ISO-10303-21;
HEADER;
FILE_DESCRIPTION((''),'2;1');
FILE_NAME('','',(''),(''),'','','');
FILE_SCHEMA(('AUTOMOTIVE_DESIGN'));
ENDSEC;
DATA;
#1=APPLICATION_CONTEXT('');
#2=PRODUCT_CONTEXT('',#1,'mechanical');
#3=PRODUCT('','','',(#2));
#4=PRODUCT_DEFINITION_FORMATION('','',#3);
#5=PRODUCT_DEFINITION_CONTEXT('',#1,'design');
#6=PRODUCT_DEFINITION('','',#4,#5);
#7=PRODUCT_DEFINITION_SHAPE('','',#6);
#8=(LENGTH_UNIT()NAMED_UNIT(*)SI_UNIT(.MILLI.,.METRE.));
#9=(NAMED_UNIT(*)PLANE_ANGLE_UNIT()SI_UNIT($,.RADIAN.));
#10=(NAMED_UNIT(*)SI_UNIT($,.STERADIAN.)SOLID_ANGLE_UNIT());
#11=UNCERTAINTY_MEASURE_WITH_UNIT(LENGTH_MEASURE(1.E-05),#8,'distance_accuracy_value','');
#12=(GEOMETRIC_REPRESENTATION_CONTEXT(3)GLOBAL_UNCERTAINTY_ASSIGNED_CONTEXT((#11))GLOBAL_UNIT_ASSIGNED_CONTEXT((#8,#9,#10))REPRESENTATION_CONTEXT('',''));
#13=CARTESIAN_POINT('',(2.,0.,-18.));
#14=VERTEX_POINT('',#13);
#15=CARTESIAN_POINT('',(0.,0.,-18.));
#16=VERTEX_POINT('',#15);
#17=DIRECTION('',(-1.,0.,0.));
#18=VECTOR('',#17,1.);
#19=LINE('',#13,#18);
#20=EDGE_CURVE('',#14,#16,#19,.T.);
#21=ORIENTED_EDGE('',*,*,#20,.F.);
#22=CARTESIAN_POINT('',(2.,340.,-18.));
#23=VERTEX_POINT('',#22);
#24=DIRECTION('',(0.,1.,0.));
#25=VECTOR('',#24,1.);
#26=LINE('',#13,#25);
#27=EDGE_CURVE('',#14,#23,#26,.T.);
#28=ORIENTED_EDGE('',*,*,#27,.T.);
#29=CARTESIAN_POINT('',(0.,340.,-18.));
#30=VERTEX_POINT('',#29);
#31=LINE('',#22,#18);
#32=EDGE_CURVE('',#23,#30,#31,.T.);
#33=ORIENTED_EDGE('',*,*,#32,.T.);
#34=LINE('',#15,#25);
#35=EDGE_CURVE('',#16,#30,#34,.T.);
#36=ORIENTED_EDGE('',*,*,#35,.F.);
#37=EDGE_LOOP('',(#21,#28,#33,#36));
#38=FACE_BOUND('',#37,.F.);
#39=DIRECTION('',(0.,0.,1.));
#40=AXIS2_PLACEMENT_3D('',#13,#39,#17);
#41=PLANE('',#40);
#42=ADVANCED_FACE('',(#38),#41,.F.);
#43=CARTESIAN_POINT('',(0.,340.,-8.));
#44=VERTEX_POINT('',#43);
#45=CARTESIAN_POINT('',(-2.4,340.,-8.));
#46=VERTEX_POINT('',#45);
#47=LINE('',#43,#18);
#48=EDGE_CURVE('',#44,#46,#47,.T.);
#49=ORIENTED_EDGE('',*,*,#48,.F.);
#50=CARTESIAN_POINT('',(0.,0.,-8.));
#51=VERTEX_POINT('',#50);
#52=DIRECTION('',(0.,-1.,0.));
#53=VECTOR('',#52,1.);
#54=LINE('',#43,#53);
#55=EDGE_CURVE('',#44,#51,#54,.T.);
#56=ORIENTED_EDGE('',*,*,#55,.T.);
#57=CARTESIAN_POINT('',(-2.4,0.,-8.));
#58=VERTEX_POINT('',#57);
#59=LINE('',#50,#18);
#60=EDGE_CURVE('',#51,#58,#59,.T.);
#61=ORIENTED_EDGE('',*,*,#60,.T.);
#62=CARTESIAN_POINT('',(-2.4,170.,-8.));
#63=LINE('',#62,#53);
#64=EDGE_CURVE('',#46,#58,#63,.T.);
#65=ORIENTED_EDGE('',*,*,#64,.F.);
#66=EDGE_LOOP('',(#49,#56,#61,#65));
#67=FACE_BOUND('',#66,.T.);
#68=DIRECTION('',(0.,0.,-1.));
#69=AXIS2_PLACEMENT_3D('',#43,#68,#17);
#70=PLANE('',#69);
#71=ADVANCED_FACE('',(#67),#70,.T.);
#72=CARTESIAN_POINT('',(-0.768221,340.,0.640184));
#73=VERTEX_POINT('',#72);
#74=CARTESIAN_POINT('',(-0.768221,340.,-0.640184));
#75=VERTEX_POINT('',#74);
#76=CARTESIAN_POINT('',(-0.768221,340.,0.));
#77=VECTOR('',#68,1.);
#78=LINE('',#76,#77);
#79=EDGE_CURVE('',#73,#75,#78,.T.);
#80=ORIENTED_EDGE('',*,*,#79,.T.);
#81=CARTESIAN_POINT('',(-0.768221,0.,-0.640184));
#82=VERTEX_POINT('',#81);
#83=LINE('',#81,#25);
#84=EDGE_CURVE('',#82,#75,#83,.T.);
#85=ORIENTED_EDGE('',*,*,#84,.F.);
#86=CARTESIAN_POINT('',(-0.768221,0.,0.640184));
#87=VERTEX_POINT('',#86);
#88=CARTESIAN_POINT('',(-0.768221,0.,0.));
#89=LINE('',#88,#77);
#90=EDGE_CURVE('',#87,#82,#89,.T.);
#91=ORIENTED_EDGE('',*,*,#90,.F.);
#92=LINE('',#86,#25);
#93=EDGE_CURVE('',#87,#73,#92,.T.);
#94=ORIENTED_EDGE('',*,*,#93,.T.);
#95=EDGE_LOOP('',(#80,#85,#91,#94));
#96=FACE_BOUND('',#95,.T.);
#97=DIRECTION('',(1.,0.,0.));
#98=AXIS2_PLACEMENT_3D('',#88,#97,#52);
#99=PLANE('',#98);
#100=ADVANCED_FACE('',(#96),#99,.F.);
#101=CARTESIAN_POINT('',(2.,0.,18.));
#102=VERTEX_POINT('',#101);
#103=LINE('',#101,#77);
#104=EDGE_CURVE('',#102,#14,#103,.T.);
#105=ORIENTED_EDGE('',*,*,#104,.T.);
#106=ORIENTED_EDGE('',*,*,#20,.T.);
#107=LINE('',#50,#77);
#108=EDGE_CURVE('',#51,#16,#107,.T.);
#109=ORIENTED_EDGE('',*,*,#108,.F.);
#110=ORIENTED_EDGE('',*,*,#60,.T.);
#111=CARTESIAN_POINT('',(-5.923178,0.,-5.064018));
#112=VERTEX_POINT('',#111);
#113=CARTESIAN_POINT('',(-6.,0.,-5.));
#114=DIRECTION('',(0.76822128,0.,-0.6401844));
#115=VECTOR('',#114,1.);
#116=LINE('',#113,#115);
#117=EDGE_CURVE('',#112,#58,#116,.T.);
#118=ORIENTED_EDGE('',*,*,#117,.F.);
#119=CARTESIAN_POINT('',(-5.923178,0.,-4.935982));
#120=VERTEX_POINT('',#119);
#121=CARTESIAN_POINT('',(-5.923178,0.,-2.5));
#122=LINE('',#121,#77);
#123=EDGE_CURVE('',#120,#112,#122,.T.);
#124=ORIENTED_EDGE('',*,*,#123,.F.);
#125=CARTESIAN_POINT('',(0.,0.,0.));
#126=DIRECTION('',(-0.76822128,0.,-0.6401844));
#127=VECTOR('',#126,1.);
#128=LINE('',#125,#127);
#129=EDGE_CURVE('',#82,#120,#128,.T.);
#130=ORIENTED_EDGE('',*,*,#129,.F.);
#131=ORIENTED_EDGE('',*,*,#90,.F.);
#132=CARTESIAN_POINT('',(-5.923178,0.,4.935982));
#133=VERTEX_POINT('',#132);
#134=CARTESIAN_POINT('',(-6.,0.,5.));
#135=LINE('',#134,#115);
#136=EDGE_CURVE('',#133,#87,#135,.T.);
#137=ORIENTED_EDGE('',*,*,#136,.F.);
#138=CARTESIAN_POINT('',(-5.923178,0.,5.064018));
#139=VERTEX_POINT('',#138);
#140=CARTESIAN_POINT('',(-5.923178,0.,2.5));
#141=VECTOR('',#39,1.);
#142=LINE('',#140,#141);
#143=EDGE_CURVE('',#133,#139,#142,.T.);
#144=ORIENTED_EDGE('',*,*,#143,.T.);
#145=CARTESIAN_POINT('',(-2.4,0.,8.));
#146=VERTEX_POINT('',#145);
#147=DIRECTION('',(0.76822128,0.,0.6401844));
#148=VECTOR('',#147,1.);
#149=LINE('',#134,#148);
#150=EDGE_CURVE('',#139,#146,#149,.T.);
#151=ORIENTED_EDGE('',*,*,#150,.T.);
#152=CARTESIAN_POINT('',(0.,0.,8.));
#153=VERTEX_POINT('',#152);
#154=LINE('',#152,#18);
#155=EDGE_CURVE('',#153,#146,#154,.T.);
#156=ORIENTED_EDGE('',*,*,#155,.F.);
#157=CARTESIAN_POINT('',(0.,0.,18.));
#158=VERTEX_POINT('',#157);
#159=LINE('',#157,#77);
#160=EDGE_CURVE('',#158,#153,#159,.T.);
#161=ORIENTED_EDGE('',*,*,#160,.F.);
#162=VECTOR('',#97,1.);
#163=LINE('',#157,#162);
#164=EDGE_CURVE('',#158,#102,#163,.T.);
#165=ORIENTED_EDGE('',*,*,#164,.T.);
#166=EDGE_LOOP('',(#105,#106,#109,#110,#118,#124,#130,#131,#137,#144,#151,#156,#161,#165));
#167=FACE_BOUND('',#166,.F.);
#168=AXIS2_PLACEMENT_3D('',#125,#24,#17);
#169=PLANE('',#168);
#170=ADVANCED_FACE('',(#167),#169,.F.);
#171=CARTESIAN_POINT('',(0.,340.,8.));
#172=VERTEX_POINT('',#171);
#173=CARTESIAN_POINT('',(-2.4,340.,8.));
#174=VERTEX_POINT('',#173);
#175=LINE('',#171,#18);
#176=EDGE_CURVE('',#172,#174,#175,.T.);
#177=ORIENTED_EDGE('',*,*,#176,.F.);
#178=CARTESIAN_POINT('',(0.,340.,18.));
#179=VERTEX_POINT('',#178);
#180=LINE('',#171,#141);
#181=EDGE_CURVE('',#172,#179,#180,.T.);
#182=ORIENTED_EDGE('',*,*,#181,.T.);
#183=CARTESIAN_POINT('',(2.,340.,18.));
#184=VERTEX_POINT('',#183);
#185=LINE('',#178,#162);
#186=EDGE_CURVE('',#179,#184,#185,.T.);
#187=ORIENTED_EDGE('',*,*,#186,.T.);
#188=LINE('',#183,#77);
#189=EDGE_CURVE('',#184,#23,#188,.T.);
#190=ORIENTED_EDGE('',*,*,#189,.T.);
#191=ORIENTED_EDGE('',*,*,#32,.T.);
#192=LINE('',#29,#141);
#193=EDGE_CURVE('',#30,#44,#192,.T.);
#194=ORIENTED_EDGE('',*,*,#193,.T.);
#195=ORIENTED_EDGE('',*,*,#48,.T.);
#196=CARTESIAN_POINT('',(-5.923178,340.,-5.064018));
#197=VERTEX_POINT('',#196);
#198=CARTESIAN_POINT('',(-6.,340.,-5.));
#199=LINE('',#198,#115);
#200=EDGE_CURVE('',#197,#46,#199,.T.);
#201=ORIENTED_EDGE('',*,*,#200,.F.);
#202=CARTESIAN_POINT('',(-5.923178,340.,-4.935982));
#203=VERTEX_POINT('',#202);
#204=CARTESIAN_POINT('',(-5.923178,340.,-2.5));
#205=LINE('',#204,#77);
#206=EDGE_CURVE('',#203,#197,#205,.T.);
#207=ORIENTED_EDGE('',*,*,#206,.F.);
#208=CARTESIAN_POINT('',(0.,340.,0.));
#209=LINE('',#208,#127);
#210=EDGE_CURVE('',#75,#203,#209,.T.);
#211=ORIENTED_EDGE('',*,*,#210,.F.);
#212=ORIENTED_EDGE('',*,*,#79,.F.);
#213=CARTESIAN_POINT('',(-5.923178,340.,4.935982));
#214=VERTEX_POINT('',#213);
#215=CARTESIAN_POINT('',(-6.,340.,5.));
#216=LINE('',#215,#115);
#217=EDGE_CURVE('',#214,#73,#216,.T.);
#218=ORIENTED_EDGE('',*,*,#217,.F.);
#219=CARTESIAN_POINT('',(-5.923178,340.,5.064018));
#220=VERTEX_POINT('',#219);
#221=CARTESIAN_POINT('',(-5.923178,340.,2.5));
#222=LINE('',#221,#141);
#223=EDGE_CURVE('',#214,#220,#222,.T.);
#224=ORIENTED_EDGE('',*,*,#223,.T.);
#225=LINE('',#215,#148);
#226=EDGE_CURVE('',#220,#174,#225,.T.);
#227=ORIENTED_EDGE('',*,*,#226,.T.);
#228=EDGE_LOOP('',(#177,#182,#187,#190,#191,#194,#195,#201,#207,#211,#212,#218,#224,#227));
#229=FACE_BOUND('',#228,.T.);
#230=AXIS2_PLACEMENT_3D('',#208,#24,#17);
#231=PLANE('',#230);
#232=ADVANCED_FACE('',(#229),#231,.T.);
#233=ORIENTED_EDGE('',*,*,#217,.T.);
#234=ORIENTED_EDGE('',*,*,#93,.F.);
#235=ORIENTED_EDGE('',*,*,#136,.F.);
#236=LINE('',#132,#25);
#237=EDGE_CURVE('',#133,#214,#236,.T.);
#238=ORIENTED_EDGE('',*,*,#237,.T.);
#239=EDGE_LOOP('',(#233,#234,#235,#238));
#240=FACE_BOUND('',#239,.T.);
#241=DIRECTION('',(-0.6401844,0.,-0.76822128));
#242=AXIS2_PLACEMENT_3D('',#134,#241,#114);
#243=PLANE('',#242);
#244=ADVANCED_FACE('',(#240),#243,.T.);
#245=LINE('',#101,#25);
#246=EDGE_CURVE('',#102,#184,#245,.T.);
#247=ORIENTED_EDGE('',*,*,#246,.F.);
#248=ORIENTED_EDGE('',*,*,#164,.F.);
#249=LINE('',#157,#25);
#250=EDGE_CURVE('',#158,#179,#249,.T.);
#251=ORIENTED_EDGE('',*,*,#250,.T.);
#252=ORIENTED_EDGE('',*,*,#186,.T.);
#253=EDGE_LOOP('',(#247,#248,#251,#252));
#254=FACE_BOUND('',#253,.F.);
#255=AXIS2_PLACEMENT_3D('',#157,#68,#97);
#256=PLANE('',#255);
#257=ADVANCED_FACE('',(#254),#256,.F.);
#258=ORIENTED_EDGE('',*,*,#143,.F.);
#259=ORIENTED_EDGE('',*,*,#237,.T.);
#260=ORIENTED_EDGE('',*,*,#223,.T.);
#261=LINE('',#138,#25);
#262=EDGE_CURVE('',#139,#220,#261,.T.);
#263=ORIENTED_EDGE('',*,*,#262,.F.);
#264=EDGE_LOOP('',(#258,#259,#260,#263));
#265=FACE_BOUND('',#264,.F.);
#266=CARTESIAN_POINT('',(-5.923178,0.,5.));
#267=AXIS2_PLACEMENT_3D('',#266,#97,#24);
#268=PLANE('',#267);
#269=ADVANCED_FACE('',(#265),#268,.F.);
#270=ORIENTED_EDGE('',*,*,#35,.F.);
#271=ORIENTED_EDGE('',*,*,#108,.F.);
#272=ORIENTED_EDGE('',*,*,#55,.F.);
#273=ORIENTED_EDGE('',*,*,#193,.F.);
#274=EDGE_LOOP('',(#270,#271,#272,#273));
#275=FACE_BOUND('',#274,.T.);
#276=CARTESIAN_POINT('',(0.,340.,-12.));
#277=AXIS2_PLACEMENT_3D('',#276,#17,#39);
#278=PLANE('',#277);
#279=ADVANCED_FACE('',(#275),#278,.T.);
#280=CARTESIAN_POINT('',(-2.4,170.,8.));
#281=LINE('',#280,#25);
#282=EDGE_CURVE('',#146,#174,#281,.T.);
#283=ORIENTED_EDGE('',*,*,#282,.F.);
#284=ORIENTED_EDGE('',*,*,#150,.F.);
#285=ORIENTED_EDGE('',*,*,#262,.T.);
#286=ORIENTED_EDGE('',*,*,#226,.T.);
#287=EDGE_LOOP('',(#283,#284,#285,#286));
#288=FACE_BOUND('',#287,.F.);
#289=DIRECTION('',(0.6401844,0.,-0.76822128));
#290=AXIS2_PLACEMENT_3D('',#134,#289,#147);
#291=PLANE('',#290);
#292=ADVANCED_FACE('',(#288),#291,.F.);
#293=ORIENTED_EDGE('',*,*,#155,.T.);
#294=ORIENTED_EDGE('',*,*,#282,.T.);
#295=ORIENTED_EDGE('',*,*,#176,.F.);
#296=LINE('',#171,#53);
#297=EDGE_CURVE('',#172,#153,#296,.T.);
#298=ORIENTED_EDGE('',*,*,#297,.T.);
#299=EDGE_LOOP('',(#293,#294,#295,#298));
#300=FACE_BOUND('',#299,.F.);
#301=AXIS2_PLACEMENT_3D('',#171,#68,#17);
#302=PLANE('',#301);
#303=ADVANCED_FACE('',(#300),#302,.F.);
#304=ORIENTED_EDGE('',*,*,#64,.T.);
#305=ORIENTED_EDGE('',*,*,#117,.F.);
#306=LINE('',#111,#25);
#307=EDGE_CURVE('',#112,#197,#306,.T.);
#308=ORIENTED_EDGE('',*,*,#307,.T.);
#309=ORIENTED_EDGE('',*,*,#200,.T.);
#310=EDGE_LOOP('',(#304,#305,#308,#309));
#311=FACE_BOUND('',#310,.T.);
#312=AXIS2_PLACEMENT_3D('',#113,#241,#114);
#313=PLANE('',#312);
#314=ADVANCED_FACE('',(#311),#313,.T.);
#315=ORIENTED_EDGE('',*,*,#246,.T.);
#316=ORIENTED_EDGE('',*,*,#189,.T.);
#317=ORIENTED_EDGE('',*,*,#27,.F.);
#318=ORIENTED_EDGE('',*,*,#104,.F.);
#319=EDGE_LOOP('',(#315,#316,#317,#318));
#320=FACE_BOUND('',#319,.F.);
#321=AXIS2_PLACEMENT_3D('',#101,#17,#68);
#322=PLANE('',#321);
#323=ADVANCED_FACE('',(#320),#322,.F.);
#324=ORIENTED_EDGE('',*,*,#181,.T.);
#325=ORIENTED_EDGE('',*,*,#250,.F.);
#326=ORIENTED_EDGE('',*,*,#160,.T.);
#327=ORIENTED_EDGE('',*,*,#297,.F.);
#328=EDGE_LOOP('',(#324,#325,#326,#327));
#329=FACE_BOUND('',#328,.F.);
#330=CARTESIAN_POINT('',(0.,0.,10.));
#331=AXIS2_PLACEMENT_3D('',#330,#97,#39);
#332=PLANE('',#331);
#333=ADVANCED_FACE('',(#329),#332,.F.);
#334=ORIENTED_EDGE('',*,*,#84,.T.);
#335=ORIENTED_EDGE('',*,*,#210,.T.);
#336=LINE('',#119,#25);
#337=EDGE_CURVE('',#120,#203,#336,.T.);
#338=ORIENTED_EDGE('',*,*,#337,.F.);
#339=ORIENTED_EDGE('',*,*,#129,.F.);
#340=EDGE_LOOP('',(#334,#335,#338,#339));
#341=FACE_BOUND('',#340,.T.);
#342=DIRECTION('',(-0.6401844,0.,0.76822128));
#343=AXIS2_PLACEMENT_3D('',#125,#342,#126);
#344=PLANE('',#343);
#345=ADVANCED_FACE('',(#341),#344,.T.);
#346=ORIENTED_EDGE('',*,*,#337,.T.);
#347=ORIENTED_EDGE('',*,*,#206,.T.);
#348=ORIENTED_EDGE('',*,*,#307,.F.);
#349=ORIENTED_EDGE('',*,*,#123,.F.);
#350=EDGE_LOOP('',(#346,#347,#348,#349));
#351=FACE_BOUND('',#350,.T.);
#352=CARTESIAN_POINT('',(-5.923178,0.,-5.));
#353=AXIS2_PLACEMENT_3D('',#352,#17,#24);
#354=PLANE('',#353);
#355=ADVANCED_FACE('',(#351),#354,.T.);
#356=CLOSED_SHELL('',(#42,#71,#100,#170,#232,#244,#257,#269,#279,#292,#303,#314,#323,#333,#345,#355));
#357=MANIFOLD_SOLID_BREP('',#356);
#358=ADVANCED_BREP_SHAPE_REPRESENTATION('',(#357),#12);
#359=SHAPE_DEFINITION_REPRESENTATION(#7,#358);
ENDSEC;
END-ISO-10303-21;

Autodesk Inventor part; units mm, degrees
ref_plane "YZ Plane" through (0, 0, 0) normal (1, 0, 0) x (0, 1, 0)
ref_plane "XZ Plane" through (0, 0, 0) normal (0, 1, 0) x (-1, 0, 0)
ref_plane "XY Plane" through (0, 0, 0) normal (0, 0, 1) x (1, 0, 0)
sketch "Sketch1" plane through (0, 0, 0) normal (0, 1, 0) x (-1, 0, 0)
  line L0 (6, 5) -> (0, 5)
  line L1 (0, 5) -> (0, -5)
  line L2 (0, -5) -> (6, -5)
  line L3 (6, -5) -> (6, 5)
  line L4 (6, 5) -> (0, 0)
  line L5 (0, 0) -> (6, -5)
  line L6 (6, -5) -> (0, -10)
  line L7 (0, 18) -> (-2, 18)
  line L8 (-2, 18) -> (-2, -18)
  line L9 (-2, -18) -> (0, -18)
  line L10 (0, -18) -> (0, 18)
  line L11 (6, 5) -> (0, 10)
  point P0 (0, -10)
  point P1 (0, -5)
  point P2 (0, 5)
extrude "Extrusion1" add sketch "Sketch1" along normal blind 340 contours L4 L1 L0 | L0 L10 L11 | L1 L10 L9 L8 L7 | L6 L10 L2 | L2 L1 L5
chamfer "Chamfer1" distance 0.1 angle 45 2 edges at (-6, 170, -5) (-6, 170, 5)
chamfer "Chamfer2" distance 1 angle 45 1 edges at (0, 170, 0)
sketch "Sketch2" plane through (0, 340, 0) normal (0, 1, 0) x (1, 0, 0)
  line L0 (-4, 12) -> (0, 12)
  line L1 (0, 12) -> (0, 8)
  line L2 (0, 8) -> (-4, 8)
  line L3 (-4, 8) -> (-4, 12)
  line L4 (-4, -12) -> (0, -12)
  line L5 (0, -12) -> (0, -8)
  line L6 (0, -8) -> (-4, -8)
  line L7 (-4, -8) -> (-4, -12)
  point P0 (0, 0)
extrude "Extrusion2" cut sketch "Sketch2" against normal blind 1000
properties part number "RailDerzavka"
